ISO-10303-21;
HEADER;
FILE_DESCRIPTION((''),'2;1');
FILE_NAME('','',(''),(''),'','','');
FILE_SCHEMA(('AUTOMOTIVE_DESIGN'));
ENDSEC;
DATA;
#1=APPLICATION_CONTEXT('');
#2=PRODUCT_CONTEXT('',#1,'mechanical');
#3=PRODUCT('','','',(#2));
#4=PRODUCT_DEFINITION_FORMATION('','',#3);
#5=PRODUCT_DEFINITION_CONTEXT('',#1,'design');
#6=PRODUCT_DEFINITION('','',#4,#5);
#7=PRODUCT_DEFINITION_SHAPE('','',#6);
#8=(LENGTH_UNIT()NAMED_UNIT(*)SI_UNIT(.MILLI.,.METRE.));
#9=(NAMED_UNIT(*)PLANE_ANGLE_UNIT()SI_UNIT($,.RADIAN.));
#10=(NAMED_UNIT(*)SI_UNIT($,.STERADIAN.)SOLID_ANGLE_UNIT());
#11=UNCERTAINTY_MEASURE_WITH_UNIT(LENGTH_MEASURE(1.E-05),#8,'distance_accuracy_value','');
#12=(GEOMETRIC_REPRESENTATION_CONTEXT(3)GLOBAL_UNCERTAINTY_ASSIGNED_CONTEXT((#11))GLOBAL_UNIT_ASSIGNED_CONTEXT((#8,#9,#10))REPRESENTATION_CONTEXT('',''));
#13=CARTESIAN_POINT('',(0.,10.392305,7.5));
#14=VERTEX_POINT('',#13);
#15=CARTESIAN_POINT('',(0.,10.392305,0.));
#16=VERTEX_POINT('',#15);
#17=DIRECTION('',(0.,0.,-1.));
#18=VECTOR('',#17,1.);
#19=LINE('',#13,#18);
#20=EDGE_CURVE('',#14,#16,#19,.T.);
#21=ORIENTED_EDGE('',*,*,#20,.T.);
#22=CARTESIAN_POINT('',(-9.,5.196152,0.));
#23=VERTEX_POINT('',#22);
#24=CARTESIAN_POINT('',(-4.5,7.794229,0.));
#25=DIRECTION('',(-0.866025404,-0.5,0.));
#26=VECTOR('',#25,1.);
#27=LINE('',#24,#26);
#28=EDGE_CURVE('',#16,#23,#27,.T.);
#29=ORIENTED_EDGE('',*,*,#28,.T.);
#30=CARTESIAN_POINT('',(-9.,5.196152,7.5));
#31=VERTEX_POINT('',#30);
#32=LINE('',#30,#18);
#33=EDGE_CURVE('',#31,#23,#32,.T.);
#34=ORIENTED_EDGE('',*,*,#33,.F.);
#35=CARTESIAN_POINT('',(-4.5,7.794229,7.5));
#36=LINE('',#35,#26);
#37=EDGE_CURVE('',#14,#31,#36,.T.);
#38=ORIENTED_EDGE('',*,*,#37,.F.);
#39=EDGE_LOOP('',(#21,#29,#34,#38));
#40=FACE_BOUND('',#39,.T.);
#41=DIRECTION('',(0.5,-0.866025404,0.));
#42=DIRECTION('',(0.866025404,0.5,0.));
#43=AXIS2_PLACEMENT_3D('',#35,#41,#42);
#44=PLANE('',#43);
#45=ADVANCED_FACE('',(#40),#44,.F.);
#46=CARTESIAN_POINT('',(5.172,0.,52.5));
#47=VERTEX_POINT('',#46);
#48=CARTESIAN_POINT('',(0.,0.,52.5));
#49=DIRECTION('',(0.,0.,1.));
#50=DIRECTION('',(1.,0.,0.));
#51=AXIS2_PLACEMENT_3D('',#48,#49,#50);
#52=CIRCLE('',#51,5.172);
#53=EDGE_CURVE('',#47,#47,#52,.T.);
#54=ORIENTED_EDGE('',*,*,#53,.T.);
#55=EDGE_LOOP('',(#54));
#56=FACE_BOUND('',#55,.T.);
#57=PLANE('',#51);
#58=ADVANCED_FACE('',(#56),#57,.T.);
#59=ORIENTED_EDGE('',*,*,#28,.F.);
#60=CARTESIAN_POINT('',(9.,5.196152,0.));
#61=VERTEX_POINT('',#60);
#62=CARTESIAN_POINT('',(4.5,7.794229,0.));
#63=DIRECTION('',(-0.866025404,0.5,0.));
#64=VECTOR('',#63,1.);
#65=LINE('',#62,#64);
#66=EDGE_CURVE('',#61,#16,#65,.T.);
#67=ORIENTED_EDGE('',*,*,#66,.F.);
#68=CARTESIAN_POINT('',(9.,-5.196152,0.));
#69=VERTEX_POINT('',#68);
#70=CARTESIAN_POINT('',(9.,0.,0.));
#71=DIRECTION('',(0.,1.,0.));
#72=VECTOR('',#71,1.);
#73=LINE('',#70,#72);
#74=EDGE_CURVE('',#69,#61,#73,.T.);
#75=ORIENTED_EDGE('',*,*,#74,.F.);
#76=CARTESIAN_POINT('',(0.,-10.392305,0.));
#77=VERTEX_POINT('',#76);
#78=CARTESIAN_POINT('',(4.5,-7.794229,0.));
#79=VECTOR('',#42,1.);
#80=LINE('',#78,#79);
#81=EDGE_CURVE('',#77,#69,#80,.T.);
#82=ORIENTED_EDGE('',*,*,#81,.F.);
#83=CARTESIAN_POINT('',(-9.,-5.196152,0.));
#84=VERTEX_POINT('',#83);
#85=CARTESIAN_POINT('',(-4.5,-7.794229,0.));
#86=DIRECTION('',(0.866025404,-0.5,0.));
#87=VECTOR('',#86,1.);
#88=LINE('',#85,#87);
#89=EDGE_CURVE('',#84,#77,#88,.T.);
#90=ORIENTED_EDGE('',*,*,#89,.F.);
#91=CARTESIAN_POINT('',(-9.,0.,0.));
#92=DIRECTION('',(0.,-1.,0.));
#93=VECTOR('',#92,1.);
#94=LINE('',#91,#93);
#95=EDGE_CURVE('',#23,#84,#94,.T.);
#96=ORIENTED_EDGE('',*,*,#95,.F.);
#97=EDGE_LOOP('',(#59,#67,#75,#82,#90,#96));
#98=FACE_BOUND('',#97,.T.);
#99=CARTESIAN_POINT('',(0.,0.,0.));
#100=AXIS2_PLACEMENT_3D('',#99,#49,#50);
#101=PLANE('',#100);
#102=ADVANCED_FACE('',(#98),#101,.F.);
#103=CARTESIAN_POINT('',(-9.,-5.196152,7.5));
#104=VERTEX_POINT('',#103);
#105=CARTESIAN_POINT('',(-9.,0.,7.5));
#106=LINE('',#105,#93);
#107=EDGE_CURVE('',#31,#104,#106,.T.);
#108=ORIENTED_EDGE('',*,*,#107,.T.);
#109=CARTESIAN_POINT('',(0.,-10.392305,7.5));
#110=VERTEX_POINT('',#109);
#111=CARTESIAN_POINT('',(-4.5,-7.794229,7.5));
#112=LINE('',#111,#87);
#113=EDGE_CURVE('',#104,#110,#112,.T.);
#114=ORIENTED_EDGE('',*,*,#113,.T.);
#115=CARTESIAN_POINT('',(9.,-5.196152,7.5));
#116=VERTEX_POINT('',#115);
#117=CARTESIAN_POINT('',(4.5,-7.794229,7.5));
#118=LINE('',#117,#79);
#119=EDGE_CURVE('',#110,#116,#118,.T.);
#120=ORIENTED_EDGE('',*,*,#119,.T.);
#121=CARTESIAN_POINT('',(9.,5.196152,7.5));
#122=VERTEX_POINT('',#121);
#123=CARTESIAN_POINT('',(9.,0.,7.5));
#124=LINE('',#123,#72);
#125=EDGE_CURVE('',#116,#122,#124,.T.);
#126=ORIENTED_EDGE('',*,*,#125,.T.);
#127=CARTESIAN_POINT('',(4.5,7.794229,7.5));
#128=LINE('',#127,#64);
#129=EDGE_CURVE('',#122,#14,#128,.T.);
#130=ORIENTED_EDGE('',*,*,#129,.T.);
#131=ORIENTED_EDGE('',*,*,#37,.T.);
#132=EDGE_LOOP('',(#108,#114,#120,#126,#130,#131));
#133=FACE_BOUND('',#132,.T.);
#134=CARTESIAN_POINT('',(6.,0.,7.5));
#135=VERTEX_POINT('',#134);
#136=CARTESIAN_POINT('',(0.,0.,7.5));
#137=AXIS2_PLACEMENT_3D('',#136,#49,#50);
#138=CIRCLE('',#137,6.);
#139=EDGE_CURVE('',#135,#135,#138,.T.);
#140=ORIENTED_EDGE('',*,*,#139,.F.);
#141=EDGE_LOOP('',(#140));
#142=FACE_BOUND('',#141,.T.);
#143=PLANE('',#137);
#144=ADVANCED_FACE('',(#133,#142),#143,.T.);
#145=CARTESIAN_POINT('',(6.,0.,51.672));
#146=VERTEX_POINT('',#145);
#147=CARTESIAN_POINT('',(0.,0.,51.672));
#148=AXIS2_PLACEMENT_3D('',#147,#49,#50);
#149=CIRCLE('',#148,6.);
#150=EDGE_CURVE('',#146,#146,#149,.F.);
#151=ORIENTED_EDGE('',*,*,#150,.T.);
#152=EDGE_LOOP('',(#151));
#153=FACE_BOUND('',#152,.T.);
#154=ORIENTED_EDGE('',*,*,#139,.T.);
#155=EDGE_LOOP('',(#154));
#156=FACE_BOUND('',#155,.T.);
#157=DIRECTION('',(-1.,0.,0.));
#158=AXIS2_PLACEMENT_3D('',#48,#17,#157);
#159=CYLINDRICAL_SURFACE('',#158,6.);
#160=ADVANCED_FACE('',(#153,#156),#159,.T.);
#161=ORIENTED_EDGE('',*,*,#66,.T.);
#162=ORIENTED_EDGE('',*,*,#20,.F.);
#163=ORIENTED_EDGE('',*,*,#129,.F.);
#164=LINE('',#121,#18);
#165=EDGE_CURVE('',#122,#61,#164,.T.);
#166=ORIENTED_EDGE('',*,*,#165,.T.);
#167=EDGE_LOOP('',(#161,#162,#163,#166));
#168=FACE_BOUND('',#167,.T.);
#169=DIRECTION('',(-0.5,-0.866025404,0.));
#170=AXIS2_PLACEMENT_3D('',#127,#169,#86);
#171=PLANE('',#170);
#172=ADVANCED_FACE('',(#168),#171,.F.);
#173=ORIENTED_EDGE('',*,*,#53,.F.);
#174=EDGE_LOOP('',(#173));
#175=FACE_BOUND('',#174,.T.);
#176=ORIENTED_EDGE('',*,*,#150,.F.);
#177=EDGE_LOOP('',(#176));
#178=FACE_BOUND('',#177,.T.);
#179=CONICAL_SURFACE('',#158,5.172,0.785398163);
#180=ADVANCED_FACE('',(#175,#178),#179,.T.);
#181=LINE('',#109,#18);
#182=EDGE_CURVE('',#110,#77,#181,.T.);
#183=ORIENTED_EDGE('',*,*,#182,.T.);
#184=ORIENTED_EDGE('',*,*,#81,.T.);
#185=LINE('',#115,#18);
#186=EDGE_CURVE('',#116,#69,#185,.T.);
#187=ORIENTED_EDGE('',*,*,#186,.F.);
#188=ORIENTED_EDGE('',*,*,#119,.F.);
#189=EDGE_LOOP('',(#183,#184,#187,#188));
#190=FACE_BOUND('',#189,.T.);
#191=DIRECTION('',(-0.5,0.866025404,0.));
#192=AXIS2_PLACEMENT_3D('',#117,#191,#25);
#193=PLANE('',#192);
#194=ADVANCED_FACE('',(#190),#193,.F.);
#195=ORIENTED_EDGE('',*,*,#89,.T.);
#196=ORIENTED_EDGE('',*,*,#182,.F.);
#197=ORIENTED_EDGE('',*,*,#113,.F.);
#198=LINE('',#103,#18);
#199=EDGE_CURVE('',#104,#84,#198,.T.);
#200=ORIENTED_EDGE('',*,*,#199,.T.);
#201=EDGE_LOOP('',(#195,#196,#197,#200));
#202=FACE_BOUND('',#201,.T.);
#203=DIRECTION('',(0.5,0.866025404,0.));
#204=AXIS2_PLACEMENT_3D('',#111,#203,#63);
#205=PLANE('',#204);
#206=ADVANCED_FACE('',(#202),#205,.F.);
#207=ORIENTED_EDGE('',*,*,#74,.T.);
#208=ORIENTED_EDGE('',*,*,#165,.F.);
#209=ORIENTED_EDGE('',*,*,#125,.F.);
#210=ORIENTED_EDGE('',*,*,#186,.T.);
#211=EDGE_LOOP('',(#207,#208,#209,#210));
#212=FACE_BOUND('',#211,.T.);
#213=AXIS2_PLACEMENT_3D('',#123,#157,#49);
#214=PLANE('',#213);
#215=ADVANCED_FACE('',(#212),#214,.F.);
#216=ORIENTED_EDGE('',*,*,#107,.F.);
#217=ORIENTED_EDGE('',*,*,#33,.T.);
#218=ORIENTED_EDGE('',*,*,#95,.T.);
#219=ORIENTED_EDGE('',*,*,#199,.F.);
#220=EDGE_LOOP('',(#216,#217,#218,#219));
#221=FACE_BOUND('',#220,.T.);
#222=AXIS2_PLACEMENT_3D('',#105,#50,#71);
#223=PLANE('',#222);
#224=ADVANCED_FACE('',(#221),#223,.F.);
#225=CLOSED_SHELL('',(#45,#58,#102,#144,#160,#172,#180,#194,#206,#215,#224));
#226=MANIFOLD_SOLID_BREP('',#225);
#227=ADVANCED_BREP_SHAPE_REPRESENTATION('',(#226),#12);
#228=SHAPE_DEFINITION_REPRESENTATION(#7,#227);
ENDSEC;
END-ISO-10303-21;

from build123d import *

# Parameters (mm, degrees)
EXTRUDE_1_DEPTH = 7.5
SKETCH_2_R      = 6
EXTRUDE_2_DEPTH = 45
CHAMFER_1_SIZE  = 0.828


with BuildPart() as part:
    # Эскиз1 → Бобышка-Вытянуть1 (new body)
    with BuildSketch(Plane.XY):
        Polygon((0, 10.392304845), (-9, 5.196152423), (-9, -5.196152423), (0, -10.392304845), (9, -5.196152423), (9, 5.196152423), align=None)
    extrude(amount=EXTRUDE_1_DEPTH)

    # Эскиз2 → Бобышка-Вытянуть2 (add)
    with BuildSketch(Plane.XY.offset(7.5)):
        Circle(SKETCH_2_R)
    extrude(amount=EXTRUDE_2_DEPTH)

    # Фаска1
    chamfer_1_edges = [part.edges().sort_by_distance(p)[0] for p in [
        (-6, 0, 52.5),
    ]]
    chamfer(chamfer_1_edges, length=CHAMFER_1_SIZE)


solid = part.part
